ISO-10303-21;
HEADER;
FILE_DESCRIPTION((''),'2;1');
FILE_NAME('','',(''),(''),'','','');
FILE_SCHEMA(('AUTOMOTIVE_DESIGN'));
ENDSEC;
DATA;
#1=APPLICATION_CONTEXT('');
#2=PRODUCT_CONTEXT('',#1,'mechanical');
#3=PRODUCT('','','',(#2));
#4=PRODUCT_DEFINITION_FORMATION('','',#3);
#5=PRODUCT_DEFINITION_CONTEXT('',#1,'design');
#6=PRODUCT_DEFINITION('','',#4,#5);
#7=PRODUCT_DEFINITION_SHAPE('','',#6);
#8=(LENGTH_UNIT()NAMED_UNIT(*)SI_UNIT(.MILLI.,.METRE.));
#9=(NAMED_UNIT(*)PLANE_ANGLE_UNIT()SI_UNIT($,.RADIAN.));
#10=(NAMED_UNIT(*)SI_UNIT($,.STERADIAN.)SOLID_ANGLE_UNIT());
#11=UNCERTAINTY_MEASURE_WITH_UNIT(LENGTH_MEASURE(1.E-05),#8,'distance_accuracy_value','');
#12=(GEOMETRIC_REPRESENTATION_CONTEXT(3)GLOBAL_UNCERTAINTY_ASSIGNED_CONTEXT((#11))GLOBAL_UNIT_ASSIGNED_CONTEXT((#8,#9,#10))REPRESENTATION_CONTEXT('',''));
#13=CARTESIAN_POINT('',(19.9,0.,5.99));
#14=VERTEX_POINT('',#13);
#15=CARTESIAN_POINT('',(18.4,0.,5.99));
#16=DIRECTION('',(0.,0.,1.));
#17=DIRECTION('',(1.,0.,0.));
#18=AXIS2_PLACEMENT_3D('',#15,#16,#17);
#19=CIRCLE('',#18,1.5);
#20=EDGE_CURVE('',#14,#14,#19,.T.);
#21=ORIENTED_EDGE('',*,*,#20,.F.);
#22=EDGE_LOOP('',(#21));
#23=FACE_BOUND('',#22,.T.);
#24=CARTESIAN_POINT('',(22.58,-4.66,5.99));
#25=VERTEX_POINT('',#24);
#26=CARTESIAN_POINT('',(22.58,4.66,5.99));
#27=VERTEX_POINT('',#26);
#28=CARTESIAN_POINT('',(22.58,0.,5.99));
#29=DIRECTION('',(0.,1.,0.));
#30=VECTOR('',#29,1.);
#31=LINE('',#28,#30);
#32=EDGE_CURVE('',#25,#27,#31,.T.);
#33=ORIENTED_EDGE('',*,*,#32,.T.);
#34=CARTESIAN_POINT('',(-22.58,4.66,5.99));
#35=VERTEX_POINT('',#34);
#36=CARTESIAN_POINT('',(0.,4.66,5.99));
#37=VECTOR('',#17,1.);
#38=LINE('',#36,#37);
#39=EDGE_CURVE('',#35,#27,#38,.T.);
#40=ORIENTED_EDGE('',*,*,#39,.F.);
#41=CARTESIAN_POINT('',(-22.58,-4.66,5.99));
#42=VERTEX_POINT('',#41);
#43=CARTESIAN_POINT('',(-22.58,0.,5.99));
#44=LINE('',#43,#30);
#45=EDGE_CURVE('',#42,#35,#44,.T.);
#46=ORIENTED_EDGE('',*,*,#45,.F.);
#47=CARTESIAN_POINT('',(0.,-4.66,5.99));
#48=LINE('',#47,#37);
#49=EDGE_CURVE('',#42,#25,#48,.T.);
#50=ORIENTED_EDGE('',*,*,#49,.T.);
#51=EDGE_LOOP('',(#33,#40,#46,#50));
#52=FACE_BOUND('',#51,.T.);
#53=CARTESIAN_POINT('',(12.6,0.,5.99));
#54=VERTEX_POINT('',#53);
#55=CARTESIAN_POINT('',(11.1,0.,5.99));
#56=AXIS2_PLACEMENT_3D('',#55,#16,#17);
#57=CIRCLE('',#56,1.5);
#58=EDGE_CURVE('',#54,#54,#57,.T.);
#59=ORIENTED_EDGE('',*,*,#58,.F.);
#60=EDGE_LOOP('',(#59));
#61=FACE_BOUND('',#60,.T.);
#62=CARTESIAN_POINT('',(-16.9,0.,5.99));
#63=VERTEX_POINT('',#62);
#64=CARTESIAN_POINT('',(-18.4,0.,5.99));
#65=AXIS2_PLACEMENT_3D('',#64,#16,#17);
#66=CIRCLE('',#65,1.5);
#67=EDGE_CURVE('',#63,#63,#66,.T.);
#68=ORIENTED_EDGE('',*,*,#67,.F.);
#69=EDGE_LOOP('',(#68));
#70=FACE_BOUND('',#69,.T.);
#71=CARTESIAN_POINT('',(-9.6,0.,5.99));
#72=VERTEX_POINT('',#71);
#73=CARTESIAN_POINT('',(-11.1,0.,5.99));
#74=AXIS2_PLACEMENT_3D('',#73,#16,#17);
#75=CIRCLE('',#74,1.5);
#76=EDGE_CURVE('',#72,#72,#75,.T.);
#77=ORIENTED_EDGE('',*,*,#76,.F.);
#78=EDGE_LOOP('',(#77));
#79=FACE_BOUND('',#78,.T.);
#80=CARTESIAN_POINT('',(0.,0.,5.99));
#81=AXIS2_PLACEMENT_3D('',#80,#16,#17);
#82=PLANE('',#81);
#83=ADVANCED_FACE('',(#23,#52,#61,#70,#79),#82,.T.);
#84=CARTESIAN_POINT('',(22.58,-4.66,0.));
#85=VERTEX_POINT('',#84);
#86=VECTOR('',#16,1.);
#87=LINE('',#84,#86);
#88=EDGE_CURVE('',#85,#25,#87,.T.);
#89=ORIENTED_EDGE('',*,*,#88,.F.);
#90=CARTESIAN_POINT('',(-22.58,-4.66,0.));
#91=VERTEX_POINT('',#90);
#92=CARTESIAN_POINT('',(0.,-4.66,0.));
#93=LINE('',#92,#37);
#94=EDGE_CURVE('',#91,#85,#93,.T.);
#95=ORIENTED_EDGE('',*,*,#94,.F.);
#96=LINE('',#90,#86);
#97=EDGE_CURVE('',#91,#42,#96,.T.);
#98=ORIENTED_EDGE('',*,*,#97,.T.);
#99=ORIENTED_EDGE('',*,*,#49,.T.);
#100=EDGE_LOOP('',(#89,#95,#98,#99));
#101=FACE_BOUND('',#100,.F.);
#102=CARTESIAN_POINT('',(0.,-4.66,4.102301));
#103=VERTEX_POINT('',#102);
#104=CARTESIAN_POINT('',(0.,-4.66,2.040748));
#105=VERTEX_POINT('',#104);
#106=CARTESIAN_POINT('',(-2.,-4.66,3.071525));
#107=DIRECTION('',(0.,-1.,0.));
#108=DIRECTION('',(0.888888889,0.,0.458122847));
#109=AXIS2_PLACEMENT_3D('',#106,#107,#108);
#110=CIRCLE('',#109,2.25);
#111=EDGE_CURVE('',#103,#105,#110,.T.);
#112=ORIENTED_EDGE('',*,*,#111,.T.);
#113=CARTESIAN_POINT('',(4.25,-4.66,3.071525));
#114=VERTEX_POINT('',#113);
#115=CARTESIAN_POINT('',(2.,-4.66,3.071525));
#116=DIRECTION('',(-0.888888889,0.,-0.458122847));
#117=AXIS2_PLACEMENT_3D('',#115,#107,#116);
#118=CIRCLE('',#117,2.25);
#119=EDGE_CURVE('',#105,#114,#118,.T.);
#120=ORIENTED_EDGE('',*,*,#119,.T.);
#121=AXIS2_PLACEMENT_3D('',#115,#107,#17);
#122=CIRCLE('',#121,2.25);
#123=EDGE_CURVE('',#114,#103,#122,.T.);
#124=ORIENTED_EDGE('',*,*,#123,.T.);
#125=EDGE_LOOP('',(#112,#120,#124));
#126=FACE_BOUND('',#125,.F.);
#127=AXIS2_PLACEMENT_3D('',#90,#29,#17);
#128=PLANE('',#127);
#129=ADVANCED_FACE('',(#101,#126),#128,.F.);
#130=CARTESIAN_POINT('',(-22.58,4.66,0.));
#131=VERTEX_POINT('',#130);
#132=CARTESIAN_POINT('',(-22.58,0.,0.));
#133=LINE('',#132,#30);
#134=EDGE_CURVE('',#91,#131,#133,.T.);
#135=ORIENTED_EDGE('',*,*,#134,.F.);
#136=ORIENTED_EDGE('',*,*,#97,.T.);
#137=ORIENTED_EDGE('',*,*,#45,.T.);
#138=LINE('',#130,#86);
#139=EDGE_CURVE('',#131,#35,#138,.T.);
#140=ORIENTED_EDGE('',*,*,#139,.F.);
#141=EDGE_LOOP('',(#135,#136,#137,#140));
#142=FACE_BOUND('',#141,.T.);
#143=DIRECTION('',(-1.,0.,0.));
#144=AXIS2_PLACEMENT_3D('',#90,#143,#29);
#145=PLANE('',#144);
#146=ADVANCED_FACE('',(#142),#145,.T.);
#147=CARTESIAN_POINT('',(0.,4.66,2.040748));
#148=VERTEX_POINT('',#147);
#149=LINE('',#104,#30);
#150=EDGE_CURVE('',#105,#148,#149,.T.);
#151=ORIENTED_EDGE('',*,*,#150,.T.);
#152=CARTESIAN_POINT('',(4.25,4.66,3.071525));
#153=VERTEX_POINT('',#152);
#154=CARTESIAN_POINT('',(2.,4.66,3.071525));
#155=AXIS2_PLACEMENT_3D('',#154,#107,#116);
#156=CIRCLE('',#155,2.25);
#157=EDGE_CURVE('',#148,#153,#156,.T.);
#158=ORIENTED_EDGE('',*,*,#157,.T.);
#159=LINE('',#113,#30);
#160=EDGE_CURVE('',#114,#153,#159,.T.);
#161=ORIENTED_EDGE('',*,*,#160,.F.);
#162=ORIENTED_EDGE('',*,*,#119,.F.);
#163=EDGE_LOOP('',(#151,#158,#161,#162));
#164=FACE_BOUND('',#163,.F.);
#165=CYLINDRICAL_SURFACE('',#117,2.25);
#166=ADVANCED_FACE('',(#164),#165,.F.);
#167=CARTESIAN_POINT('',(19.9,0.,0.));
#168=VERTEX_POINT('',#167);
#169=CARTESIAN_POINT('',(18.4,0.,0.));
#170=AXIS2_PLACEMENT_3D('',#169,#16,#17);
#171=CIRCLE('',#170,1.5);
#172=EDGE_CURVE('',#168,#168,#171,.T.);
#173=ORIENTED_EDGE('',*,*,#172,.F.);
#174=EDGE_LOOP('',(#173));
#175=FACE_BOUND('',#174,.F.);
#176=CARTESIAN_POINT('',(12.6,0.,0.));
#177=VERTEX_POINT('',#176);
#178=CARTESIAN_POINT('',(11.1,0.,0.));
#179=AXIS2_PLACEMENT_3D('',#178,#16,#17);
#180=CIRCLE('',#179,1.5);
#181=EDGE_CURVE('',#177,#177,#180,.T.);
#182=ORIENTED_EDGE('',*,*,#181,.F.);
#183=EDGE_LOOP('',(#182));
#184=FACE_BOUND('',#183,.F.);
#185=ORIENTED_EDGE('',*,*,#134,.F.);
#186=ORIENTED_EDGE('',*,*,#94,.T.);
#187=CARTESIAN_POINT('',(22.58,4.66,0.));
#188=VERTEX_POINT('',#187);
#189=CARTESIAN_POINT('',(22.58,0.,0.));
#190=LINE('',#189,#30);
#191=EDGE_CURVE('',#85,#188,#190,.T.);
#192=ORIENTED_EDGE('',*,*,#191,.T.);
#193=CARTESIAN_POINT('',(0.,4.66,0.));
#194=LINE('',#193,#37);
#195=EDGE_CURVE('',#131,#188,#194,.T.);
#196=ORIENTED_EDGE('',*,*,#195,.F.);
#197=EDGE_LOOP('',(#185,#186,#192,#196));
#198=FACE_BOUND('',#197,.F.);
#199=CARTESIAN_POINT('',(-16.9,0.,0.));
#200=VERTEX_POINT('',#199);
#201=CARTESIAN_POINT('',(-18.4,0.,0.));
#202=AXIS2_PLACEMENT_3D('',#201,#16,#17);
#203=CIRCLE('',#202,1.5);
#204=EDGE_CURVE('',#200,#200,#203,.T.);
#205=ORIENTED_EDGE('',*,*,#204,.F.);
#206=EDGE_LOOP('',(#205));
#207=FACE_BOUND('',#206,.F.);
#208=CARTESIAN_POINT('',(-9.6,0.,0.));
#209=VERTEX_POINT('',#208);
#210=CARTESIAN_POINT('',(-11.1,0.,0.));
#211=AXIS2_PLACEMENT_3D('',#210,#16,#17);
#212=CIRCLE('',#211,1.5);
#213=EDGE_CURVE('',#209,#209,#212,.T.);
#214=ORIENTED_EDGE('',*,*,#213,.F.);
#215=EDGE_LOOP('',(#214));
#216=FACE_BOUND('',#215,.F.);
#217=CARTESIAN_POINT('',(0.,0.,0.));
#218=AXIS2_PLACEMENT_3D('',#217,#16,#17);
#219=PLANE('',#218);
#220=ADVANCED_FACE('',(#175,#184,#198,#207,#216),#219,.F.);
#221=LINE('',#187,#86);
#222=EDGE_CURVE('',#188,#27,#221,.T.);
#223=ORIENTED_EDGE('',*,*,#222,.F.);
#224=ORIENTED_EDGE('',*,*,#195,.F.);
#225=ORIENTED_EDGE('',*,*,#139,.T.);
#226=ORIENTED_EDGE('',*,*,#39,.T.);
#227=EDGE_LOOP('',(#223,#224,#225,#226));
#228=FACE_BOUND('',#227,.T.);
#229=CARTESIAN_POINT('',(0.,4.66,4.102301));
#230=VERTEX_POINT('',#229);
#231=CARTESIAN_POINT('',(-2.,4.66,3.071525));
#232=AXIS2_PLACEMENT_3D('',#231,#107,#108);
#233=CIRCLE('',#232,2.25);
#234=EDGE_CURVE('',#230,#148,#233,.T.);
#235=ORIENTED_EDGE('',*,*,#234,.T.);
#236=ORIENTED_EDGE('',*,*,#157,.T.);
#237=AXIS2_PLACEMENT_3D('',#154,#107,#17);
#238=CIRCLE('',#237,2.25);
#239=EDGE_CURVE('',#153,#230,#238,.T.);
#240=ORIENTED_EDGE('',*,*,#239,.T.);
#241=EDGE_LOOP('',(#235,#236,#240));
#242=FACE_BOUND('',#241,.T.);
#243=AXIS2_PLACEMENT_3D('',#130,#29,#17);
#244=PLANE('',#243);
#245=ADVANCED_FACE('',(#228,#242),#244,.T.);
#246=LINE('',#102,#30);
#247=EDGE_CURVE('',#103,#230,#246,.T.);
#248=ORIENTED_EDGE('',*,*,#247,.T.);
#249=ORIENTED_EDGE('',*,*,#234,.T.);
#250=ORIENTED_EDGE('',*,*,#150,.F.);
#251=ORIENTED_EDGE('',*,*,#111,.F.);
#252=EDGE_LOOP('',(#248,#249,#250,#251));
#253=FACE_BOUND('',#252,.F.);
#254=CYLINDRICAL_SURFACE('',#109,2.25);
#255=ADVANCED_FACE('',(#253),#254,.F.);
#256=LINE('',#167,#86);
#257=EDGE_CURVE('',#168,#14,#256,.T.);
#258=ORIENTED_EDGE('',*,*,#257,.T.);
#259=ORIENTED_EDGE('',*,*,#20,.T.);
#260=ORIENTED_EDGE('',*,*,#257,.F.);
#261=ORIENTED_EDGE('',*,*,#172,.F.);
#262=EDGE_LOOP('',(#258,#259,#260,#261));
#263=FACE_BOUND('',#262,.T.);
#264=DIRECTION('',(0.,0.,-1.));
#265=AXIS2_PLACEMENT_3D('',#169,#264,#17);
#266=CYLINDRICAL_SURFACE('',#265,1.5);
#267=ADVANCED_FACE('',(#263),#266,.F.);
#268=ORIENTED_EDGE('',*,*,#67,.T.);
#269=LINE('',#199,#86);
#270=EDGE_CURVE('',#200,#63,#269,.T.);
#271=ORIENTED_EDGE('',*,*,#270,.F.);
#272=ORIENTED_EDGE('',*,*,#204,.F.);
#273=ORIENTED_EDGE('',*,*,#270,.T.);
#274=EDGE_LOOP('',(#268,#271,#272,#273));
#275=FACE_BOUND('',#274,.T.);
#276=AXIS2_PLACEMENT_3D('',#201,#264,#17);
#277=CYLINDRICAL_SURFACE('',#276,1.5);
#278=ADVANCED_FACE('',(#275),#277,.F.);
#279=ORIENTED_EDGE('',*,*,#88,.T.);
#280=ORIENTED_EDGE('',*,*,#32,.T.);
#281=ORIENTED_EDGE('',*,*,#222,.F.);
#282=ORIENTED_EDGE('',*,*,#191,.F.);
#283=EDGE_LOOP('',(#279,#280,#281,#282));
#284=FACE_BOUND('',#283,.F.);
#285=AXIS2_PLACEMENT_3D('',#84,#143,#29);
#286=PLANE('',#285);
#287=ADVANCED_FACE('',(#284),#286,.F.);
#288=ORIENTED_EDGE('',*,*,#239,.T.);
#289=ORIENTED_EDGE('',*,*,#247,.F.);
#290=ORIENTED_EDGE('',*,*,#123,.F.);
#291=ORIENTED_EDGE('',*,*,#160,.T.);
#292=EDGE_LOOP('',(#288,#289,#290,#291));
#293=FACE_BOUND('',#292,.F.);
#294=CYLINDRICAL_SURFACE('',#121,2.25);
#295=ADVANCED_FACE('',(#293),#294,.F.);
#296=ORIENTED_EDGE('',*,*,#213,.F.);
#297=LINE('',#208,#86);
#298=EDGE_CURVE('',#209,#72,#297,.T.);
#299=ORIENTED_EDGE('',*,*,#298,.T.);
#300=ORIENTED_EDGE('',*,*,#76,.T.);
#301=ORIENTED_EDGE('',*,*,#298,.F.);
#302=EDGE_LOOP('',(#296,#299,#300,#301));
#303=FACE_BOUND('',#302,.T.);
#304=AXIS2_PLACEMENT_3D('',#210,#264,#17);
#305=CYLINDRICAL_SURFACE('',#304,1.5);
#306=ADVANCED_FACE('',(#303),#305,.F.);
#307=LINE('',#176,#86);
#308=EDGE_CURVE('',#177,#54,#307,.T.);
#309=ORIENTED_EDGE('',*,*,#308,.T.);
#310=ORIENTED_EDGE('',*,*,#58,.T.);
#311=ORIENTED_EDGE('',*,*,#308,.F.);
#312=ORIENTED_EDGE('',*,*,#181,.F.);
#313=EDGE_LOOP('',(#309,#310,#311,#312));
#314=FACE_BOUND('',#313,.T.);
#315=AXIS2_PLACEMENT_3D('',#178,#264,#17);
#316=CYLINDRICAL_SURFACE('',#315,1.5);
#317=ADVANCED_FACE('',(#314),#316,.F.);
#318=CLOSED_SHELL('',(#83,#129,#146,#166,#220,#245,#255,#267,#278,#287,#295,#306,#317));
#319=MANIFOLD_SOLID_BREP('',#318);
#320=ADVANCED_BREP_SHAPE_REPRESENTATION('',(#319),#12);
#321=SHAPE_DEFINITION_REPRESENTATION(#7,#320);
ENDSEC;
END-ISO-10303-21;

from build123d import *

# Parameters (mm, degrees)
F0_W     = 45.16
F0_H     = 9.32
F0_R     = 1.5
F1_DEPTH = 5.99
F3_DEPTH = 25


with BuildPart() as f1:
    # F0 (on Top) → F1 (new body)
    with BuildSketch(Plane.XY):
        Rectangle(F0_W, F0_H)
        with Locations((-18.4, 0)):
            Circle(F0_R, mode=Mode.SUBTRACT)
        with Locations((-11.1, 0)):
            Circle(F0_R, mode=Mode.SUBTRACT)
        with Locations((11.1, 0)):
            Circle(F0_R, mode=Mode.SUBTRACT)
        with Locations((18.4, 0)):
            Circle(F0_R, mode=Mode.SUBTRACT)
    extrude(amount=F1_DEPTH)

    # F2 (on face) → F3 (cut)
    with BuildSketch(Plane.XZ.offset(4.66)):
        with BuildLine():
            ThreePointArc((0, 2.0407482621), (0.1866069606, 2.5411945826), (0.25, 3.0715246685))
            ThreePointArc((0.25, 3.0715246685), (0.1866069606, 3.6018547544), (0, 4.1023010749))
            ThreePointArc((0, 4.1023010749), (-0.25, 3.0715246685), (0, 2.0407482621))
        make_face()
        with BuildLine():
            ThreePointArc((0, 4.1023010749), (0.1866069606, 3.6018547544), (0.25, 3.0715246685))
            ThreePointArc((0.25, 3.0715246685), (0.1866069606, 2.5411945826), (0, 2.0407482621))
            ThreePointArc((0, 2.0407482621), (2.5303300859, 0.8849177079), (4.25, 3.0715246685))
            ThreePointArc((4.25, 3.0715246685), (2.5303300859, 5.2581316291), (0, 4.1023010749))
        make_face()
        with BuildLine():
            ThreePointArc((0, 2.0407482621), (-0.25, 3.0715246685), (0, 4.1023010749))
            ThreePointArc((0, 4.1023010749), (-4.25, 3.0715246685), (0, 2.0407482621))
        make_face()
    extrude(amount=-F3_DEPTH, mode=Mode.SUBTRACT)


solid = f1.part
